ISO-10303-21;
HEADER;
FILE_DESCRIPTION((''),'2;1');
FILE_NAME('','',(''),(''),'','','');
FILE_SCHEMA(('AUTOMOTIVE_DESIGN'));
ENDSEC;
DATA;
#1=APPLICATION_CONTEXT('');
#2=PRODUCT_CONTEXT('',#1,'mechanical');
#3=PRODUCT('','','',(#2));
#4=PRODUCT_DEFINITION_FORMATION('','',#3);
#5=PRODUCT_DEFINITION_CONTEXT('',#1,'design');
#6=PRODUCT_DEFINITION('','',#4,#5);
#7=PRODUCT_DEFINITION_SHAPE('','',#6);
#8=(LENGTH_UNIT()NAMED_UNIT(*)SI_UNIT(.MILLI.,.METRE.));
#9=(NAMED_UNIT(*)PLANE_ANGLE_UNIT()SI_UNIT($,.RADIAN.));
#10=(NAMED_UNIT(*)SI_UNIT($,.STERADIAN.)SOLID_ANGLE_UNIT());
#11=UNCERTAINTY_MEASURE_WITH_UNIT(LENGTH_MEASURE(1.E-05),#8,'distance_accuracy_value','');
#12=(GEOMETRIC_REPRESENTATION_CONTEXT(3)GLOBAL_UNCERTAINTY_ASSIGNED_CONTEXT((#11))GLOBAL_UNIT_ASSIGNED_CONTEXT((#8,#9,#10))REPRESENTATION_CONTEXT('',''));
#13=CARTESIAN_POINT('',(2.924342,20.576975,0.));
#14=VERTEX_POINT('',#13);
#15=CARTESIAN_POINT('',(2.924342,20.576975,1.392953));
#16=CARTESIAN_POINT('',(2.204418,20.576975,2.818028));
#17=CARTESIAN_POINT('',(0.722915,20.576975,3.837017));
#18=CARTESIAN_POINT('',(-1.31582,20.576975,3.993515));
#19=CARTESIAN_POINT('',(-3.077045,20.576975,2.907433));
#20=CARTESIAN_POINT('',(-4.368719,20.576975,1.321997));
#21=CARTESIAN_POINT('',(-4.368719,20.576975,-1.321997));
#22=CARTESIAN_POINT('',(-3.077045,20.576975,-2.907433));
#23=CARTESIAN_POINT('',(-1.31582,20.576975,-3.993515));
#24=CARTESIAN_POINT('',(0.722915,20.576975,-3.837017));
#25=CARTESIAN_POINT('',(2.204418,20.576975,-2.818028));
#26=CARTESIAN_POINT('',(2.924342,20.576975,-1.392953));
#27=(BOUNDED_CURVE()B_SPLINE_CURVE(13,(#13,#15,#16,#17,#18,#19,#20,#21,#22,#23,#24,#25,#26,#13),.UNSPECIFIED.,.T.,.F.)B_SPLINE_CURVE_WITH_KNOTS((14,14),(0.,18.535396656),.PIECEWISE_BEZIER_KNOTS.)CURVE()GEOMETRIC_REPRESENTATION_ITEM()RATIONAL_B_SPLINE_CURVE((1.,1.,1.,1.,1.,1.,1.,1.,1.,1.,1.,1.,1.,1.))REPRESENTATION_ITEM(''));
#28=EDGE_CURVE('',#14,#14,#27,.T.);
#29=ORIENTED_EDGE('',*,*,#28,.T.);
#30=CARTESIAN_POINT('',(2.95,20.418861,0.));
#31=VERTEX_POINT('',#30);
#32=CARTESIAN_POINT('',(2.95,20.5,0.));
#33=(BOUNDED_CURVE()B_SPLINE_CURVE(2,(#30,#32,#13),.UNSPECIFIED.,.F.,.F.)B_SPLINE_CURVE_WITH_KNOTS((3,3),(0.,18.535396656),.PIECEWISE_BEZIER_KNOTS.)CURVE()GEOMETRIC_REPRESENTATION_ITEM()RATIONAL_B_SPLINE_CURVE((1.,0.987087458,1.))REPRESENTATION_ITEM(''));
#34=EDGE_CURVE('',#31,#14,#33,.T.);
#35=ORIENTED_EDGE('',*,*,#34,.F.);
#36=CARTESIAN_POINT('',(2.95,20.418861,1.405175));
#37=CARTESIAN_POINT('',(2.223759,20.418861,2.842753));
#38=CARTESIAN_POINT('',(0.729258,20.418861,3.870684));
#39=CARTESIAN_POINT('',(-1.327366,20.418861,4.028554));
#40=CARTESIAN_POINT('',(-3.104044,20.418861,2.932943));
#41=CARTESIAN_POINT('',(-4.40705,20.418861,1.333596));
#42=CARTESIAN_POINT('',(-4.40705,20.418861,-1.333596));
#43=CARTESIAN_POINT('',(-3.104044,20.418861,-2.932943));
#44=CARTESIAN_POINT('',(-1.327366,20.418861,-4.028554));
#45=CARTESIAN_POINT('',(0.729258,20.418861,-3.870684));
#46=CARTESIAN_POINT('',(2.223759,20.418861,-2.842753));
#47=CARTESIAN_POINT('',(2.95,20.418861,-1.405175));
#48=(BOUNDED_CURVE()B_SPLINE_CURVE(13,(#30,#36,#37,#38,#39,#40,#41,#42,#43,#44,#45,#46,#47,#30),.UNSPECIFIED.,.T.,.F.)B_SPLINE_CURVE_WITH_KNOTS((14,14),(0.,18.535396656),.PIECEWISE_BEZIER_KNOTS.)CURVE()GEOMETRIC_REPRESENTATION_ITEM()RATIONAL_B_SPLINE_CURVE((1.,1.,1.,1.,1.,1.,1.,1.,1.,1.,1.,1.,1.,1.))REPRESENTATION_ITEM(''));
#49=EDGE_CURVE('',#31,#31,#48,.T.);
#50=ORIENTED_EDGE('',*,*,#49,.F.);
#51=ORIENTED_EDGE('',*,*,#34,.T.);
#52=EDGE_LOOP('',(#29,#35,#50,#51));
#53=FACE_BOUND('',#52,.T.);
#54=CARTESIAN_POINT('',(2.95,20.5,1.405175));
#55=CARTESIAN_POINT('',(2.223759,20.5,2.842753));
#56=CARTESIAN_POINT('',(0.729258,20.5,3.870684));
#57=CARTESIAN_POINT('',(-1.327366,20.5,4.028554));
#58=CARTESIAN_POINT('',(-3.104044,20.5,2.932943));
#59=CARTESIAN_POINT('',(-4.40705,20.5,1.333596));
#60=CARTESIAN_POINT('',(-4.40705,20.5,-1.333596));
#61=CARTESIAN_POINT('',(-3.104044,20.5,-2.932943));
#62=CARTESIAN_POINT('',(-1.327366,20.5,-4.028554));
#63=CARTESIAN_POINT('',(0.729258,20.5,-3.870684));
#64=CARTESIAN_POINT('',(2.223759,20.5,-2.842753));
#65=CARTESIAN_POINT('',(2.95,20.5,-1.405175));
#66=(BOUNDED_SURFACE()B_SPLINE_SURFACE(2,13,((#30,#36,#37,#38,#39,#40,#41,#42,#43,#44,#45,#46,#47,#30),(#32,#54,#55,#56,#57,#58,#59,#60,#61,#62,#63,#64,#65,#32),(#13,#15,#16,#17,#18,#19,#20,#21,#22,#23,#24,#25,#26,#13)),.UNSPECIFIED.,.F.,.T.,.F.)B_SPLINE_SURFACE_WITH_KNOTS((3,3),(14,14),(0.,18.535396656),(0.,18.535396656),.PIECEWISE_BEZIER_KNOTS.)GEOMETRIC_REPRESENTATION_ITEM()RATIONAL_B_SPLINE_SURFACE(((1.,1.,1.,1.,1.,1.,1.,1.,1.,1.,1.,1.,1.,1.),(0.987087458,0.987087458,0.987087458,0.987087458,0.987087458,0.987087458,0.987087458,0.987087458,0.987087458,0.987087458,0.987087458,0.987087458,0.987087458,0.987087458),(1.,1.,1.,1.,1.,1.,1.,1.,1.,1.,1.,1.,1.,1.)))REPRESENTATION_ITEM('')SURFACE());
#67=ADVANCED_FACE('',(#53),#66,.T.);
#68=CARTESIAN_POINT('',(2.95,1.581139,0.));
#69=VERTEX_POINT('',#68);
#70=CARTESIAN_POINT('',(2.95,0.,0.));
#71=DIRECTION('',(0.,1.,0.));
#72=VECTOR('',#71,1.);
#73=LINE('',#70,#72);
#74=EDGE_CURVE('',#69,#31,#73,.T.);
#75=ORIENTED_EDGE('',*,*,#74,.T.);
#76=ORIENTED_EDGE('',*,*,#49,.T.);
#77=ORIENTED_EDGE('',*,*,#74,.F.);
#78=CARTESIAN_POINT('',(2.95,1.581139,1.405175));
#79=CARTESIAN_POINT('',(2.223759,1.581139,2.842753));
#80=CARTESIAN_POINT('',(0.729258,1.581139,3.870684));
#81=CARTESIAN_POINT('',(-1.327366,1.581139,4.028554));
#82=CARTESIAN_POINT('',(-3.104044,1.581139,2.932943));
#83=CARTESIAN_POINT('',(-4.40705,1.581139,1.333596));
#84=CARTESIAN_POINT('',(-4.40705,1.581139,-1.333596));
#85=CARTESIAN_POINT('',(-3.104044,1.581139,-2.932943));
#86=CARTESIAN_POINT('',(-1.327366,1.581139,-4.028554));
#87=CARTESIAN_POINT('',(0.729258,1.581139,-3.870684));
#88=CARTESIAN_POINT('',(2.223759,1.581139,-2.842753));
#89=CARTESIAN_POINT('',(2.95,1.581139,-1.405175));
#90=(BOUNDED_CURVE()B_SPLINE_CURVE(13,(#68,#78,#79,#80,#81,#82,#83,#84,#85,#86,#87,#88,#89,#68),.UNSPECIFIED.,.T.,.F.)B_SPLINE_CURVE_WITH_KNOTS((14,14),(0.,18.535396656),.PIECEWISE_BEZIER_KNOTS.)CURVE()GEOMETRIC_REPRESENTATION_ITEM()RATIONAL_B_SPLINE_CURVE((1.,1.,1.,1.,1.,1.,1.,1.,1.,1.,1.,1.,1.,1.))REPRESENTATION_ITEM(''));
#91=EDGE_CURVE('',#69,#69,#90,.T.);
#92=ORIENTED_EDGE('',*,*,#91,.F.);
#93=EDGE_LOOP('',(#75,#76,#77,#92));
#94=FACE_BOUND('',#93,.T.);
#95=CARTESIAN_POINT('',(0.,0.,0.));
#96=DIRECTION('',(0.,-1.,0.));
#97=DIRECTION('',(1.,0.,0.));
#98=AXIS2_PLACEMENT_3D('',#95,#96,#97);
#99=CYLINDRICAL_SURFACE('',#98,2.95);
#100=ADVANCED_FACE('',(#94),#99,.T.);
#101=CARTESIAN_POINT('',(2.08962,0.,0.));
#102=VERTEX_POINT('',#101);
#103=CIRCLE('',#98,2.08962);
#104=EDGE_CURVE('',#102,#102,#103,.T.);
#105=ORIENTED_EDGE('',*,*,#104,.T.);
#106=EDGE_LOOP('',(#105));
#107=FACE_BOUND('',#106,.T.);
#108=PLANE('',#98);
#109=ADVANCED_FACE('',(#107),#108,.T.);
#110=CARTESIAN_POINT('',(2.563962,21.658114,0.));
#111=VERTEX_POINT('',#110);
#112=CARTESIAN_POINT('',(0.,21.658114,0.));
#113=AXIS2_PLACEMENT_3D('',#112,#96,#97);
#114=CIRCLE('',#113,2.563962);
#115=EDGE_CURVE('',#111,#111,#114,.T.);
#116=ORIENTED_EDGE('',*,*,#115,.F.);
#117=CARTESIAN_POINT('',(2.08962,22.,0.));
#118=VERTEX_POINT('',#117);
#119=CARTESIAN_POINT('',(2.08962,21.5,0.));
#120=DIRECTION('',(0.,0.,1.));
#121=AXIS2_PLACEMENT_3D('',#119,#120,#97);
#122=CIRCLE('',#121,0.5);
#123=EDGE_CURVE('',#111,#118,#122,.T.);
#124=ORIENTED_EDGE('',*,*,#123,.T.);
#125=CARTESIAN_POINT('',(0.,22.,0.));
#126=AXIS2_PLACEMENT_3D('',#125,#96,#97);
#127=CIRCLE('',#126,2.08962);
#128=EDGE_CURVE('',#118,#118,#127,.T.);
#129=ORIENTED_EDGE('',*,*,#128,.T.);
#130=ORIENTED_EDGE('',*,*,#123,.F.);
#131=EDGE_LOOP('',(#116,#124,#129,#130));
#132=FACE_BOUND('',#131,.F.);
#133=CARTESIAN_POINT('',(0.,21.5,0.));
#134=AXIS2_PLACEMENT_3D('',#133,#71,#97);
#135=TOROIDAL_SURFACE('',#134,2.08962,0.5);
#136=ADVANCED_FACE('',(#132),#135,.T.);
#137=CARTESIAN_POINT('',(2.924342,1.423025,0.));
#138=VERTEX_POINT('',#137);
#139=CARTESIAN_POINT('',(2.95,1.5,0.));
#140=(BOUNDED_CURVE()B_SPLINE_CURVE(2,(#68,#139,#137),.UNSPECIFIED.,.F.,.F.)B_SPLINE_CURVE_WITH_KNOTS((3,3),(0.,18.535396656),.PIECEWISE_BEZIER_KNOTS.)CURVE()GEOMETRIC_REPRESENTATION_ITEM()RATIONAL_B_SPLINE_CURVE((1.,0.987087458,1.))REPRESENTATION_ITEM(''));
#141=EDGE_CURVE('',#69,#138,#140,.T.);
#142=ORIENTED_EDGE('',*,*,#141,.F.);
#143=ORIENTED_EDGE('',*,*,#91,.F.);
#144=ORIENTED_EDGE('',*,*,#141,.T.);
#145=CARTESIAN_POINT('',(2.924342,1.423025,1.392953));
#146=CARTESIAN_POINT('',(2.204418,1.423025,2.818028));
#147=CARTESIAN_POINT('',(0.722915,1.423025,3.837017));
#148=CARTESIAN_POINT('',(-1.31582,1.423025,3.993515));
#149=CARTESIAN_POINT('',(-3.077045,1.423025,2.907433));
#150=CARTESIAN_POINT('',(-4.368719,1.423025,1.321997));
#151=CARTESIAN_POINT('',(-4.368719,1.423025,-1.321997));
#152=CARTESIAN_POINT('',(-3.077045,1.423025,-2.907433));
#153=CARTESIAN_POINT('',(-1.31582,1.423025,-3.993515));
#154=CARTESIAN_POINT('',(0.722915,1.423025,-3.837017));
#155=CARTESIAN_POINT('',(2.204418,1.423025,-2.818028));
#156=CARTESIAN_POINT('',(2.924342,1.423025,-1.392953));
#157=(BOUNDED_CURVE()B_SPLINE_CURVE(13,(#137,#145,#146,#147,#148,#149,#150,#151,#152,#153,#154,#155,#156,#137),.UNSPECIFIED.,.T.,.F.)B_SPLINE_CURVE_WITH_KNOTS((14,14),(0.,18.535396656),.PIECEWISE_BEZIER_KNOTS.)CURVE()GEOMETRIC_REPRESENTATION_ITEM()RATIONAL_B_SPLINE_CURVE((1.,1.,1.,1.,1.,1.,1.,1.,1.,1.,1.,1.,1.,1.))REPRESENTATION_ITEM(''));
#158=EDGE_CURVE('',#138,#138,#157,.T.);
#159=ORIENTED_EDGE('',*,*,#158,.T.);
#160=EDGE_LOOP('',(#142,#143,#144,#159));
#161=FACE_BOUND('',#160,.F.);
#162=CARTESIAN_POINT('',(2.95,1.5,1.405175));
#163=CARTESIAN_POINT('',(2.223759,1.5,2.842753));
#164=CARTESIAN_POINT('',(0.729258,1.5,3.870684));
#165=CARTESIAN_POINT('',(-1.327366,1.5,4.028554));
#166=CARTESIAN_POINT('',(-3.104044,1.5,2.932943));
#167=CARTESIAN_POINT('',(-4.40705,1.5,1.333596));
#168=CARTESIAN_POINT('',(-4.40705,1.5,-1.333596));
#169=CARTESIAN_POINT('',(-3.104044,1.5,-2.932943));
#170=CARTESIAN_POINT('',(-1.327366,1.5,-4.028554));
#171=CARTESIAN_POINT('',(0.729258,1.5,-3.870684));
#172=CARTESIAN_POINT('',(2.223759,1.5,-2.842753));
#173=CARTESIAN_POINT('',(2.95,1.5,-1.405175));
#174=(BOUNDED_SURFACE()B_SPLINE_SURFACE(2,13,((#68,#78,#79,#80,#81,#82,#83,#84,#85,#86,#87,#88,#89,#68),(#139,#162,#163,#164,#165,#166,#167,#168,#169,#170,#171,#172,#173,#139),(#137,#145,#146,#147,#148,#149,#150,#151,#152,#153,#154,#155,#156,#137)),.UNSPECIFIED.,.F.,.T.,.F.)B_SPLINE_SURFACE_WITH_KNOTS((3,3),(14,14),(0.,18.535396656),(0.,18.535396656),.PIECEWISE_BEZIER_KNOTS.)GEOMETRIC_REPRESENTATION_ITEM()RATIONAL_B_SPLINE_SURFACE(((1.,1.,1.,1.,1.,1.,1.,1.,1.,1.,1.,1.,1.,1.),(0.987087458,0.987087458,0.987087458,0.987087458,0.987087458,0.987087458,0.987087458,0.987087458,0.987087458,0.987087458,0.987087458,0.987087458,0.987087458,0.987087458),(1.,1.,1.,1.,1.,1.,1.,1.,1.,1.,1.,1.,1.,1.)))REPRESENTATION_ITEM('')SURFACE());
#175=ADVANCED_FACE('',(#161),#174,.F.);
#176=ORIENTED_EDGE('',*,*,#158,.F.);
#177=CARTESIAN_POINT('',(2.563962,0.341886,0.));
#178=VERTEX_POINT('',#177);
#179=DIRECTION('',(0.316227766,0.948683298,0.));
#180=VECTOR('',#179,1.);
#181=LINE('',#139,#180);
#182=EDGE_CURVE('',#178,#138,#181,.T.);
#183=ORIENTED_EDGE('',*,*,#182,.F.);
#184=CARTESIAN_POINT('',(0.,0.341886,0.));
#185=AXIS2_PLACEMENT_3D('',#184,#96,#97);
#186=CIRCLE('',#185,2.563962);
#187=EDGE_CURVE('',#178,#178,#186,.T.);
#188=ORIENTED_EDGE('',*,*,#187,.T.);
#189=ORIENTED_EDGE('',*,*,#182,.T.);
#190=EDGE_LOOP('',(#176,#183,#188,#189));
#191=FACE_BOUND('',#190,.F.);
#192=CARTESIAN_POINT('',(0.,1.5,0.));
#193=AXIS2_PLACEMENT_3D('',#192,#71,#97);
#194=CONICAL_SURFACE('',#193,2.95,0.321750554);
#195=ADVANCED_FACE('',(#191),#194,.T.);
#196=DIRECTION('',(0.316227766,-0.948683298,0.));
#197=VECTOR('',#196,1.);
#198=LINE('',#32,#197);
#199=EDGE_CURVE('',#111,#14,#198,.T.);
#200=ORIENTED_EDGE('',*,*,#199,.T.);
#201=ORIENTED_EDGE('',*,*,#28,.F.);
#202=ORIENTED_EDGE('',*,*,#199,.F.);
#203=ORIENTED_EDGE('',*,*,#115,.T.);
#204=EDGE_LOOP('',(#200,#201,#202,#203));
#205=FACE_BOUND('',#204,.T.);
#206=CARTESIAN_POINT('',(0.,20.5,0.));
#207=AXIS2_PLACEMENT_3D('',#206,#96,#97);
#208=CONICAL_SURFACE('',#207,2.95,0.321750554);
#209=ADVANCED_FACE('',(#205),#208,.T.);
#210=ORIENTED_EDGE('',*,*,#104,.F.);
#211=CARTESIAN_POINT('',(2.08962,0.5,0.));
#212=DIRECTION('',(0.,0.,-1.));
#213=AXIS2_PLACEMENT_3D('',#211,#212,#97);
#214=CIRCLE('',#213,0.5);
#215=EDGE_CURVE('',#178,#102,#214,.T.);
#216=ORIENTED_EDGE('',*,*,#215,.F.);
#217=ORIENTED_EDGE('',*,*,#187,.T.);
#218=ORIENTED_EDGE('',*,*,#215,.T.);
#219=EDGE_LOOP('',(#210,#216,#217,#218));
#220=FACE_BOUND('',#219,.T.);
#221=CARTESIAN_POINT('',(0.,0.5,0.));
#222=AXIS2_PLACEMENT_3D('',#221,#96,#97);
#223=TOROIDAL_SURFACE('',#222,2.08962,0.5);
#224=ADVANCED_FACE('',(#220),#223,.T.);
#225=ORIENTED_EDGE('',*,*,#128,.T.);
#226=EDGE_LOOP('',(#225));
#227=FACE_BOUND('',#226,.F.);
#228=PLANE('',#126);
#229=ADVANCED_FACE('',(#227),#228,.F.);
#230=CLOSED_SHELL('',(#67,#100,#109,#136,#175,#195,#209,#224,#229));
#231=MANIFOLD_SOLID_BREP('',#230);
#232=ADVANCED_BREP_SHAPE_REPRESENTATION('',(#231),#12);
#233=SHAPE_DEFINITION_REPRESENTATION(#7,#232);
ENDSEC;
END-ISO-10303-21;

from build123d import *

# Parameters (mm, degrees)
F0_R       = 2.95
F1_DEPTH   = 22
F2_SIZE2   = 1.5
F2_SIZE    = 0.5
F2_2_SIZE2 = 1.5
F2_2_SIZE  = 0.5
F3_R       = 0.5


with BuildPart() as f1:
    # F0 (on Front) → F1 (new body)
    with BuildSketch(Plane.XZ):
        Circle(F0_R)
    extrude(amount=-F1_DEPTH)

    # F2
    f2_edges = [f1.edges().sort_by_distance(p)[0] for p in [
        (-2.95, 0, 0),
    ]]
    f2_side = f1.faces().sort_by_distance((0, 0, 0))[0]
    chamfer(f2_edges, length=F2_SIZE, length2=F2_SIZE2, reference=f2_side)

    # F2#2
    f2_2_edges = [f1.edges().sort_by_distance(p)[0] for p in [
        (-2.95, 22, 0),
    ]]
    f2_2_side = f1.faces().sort_by_distance((0, 22, 0))[0]
    chamfer(f2_2_edges, length=F2_2_SIZE, length2=F2_2_SIZE2, reference=f2_2_side)

    # F3
    f3_edges = [f1.edges().sort_by_distance(p)[0] for p in [
        (-2.45, 0, 0),
        (-2.45, 22, 0),
        (-2.95, 1.5, 0),
        (-2.95, 20.5, 0),
    ]]
    fillet(f3_edges, radius=F3_R)


solid = f1.part
